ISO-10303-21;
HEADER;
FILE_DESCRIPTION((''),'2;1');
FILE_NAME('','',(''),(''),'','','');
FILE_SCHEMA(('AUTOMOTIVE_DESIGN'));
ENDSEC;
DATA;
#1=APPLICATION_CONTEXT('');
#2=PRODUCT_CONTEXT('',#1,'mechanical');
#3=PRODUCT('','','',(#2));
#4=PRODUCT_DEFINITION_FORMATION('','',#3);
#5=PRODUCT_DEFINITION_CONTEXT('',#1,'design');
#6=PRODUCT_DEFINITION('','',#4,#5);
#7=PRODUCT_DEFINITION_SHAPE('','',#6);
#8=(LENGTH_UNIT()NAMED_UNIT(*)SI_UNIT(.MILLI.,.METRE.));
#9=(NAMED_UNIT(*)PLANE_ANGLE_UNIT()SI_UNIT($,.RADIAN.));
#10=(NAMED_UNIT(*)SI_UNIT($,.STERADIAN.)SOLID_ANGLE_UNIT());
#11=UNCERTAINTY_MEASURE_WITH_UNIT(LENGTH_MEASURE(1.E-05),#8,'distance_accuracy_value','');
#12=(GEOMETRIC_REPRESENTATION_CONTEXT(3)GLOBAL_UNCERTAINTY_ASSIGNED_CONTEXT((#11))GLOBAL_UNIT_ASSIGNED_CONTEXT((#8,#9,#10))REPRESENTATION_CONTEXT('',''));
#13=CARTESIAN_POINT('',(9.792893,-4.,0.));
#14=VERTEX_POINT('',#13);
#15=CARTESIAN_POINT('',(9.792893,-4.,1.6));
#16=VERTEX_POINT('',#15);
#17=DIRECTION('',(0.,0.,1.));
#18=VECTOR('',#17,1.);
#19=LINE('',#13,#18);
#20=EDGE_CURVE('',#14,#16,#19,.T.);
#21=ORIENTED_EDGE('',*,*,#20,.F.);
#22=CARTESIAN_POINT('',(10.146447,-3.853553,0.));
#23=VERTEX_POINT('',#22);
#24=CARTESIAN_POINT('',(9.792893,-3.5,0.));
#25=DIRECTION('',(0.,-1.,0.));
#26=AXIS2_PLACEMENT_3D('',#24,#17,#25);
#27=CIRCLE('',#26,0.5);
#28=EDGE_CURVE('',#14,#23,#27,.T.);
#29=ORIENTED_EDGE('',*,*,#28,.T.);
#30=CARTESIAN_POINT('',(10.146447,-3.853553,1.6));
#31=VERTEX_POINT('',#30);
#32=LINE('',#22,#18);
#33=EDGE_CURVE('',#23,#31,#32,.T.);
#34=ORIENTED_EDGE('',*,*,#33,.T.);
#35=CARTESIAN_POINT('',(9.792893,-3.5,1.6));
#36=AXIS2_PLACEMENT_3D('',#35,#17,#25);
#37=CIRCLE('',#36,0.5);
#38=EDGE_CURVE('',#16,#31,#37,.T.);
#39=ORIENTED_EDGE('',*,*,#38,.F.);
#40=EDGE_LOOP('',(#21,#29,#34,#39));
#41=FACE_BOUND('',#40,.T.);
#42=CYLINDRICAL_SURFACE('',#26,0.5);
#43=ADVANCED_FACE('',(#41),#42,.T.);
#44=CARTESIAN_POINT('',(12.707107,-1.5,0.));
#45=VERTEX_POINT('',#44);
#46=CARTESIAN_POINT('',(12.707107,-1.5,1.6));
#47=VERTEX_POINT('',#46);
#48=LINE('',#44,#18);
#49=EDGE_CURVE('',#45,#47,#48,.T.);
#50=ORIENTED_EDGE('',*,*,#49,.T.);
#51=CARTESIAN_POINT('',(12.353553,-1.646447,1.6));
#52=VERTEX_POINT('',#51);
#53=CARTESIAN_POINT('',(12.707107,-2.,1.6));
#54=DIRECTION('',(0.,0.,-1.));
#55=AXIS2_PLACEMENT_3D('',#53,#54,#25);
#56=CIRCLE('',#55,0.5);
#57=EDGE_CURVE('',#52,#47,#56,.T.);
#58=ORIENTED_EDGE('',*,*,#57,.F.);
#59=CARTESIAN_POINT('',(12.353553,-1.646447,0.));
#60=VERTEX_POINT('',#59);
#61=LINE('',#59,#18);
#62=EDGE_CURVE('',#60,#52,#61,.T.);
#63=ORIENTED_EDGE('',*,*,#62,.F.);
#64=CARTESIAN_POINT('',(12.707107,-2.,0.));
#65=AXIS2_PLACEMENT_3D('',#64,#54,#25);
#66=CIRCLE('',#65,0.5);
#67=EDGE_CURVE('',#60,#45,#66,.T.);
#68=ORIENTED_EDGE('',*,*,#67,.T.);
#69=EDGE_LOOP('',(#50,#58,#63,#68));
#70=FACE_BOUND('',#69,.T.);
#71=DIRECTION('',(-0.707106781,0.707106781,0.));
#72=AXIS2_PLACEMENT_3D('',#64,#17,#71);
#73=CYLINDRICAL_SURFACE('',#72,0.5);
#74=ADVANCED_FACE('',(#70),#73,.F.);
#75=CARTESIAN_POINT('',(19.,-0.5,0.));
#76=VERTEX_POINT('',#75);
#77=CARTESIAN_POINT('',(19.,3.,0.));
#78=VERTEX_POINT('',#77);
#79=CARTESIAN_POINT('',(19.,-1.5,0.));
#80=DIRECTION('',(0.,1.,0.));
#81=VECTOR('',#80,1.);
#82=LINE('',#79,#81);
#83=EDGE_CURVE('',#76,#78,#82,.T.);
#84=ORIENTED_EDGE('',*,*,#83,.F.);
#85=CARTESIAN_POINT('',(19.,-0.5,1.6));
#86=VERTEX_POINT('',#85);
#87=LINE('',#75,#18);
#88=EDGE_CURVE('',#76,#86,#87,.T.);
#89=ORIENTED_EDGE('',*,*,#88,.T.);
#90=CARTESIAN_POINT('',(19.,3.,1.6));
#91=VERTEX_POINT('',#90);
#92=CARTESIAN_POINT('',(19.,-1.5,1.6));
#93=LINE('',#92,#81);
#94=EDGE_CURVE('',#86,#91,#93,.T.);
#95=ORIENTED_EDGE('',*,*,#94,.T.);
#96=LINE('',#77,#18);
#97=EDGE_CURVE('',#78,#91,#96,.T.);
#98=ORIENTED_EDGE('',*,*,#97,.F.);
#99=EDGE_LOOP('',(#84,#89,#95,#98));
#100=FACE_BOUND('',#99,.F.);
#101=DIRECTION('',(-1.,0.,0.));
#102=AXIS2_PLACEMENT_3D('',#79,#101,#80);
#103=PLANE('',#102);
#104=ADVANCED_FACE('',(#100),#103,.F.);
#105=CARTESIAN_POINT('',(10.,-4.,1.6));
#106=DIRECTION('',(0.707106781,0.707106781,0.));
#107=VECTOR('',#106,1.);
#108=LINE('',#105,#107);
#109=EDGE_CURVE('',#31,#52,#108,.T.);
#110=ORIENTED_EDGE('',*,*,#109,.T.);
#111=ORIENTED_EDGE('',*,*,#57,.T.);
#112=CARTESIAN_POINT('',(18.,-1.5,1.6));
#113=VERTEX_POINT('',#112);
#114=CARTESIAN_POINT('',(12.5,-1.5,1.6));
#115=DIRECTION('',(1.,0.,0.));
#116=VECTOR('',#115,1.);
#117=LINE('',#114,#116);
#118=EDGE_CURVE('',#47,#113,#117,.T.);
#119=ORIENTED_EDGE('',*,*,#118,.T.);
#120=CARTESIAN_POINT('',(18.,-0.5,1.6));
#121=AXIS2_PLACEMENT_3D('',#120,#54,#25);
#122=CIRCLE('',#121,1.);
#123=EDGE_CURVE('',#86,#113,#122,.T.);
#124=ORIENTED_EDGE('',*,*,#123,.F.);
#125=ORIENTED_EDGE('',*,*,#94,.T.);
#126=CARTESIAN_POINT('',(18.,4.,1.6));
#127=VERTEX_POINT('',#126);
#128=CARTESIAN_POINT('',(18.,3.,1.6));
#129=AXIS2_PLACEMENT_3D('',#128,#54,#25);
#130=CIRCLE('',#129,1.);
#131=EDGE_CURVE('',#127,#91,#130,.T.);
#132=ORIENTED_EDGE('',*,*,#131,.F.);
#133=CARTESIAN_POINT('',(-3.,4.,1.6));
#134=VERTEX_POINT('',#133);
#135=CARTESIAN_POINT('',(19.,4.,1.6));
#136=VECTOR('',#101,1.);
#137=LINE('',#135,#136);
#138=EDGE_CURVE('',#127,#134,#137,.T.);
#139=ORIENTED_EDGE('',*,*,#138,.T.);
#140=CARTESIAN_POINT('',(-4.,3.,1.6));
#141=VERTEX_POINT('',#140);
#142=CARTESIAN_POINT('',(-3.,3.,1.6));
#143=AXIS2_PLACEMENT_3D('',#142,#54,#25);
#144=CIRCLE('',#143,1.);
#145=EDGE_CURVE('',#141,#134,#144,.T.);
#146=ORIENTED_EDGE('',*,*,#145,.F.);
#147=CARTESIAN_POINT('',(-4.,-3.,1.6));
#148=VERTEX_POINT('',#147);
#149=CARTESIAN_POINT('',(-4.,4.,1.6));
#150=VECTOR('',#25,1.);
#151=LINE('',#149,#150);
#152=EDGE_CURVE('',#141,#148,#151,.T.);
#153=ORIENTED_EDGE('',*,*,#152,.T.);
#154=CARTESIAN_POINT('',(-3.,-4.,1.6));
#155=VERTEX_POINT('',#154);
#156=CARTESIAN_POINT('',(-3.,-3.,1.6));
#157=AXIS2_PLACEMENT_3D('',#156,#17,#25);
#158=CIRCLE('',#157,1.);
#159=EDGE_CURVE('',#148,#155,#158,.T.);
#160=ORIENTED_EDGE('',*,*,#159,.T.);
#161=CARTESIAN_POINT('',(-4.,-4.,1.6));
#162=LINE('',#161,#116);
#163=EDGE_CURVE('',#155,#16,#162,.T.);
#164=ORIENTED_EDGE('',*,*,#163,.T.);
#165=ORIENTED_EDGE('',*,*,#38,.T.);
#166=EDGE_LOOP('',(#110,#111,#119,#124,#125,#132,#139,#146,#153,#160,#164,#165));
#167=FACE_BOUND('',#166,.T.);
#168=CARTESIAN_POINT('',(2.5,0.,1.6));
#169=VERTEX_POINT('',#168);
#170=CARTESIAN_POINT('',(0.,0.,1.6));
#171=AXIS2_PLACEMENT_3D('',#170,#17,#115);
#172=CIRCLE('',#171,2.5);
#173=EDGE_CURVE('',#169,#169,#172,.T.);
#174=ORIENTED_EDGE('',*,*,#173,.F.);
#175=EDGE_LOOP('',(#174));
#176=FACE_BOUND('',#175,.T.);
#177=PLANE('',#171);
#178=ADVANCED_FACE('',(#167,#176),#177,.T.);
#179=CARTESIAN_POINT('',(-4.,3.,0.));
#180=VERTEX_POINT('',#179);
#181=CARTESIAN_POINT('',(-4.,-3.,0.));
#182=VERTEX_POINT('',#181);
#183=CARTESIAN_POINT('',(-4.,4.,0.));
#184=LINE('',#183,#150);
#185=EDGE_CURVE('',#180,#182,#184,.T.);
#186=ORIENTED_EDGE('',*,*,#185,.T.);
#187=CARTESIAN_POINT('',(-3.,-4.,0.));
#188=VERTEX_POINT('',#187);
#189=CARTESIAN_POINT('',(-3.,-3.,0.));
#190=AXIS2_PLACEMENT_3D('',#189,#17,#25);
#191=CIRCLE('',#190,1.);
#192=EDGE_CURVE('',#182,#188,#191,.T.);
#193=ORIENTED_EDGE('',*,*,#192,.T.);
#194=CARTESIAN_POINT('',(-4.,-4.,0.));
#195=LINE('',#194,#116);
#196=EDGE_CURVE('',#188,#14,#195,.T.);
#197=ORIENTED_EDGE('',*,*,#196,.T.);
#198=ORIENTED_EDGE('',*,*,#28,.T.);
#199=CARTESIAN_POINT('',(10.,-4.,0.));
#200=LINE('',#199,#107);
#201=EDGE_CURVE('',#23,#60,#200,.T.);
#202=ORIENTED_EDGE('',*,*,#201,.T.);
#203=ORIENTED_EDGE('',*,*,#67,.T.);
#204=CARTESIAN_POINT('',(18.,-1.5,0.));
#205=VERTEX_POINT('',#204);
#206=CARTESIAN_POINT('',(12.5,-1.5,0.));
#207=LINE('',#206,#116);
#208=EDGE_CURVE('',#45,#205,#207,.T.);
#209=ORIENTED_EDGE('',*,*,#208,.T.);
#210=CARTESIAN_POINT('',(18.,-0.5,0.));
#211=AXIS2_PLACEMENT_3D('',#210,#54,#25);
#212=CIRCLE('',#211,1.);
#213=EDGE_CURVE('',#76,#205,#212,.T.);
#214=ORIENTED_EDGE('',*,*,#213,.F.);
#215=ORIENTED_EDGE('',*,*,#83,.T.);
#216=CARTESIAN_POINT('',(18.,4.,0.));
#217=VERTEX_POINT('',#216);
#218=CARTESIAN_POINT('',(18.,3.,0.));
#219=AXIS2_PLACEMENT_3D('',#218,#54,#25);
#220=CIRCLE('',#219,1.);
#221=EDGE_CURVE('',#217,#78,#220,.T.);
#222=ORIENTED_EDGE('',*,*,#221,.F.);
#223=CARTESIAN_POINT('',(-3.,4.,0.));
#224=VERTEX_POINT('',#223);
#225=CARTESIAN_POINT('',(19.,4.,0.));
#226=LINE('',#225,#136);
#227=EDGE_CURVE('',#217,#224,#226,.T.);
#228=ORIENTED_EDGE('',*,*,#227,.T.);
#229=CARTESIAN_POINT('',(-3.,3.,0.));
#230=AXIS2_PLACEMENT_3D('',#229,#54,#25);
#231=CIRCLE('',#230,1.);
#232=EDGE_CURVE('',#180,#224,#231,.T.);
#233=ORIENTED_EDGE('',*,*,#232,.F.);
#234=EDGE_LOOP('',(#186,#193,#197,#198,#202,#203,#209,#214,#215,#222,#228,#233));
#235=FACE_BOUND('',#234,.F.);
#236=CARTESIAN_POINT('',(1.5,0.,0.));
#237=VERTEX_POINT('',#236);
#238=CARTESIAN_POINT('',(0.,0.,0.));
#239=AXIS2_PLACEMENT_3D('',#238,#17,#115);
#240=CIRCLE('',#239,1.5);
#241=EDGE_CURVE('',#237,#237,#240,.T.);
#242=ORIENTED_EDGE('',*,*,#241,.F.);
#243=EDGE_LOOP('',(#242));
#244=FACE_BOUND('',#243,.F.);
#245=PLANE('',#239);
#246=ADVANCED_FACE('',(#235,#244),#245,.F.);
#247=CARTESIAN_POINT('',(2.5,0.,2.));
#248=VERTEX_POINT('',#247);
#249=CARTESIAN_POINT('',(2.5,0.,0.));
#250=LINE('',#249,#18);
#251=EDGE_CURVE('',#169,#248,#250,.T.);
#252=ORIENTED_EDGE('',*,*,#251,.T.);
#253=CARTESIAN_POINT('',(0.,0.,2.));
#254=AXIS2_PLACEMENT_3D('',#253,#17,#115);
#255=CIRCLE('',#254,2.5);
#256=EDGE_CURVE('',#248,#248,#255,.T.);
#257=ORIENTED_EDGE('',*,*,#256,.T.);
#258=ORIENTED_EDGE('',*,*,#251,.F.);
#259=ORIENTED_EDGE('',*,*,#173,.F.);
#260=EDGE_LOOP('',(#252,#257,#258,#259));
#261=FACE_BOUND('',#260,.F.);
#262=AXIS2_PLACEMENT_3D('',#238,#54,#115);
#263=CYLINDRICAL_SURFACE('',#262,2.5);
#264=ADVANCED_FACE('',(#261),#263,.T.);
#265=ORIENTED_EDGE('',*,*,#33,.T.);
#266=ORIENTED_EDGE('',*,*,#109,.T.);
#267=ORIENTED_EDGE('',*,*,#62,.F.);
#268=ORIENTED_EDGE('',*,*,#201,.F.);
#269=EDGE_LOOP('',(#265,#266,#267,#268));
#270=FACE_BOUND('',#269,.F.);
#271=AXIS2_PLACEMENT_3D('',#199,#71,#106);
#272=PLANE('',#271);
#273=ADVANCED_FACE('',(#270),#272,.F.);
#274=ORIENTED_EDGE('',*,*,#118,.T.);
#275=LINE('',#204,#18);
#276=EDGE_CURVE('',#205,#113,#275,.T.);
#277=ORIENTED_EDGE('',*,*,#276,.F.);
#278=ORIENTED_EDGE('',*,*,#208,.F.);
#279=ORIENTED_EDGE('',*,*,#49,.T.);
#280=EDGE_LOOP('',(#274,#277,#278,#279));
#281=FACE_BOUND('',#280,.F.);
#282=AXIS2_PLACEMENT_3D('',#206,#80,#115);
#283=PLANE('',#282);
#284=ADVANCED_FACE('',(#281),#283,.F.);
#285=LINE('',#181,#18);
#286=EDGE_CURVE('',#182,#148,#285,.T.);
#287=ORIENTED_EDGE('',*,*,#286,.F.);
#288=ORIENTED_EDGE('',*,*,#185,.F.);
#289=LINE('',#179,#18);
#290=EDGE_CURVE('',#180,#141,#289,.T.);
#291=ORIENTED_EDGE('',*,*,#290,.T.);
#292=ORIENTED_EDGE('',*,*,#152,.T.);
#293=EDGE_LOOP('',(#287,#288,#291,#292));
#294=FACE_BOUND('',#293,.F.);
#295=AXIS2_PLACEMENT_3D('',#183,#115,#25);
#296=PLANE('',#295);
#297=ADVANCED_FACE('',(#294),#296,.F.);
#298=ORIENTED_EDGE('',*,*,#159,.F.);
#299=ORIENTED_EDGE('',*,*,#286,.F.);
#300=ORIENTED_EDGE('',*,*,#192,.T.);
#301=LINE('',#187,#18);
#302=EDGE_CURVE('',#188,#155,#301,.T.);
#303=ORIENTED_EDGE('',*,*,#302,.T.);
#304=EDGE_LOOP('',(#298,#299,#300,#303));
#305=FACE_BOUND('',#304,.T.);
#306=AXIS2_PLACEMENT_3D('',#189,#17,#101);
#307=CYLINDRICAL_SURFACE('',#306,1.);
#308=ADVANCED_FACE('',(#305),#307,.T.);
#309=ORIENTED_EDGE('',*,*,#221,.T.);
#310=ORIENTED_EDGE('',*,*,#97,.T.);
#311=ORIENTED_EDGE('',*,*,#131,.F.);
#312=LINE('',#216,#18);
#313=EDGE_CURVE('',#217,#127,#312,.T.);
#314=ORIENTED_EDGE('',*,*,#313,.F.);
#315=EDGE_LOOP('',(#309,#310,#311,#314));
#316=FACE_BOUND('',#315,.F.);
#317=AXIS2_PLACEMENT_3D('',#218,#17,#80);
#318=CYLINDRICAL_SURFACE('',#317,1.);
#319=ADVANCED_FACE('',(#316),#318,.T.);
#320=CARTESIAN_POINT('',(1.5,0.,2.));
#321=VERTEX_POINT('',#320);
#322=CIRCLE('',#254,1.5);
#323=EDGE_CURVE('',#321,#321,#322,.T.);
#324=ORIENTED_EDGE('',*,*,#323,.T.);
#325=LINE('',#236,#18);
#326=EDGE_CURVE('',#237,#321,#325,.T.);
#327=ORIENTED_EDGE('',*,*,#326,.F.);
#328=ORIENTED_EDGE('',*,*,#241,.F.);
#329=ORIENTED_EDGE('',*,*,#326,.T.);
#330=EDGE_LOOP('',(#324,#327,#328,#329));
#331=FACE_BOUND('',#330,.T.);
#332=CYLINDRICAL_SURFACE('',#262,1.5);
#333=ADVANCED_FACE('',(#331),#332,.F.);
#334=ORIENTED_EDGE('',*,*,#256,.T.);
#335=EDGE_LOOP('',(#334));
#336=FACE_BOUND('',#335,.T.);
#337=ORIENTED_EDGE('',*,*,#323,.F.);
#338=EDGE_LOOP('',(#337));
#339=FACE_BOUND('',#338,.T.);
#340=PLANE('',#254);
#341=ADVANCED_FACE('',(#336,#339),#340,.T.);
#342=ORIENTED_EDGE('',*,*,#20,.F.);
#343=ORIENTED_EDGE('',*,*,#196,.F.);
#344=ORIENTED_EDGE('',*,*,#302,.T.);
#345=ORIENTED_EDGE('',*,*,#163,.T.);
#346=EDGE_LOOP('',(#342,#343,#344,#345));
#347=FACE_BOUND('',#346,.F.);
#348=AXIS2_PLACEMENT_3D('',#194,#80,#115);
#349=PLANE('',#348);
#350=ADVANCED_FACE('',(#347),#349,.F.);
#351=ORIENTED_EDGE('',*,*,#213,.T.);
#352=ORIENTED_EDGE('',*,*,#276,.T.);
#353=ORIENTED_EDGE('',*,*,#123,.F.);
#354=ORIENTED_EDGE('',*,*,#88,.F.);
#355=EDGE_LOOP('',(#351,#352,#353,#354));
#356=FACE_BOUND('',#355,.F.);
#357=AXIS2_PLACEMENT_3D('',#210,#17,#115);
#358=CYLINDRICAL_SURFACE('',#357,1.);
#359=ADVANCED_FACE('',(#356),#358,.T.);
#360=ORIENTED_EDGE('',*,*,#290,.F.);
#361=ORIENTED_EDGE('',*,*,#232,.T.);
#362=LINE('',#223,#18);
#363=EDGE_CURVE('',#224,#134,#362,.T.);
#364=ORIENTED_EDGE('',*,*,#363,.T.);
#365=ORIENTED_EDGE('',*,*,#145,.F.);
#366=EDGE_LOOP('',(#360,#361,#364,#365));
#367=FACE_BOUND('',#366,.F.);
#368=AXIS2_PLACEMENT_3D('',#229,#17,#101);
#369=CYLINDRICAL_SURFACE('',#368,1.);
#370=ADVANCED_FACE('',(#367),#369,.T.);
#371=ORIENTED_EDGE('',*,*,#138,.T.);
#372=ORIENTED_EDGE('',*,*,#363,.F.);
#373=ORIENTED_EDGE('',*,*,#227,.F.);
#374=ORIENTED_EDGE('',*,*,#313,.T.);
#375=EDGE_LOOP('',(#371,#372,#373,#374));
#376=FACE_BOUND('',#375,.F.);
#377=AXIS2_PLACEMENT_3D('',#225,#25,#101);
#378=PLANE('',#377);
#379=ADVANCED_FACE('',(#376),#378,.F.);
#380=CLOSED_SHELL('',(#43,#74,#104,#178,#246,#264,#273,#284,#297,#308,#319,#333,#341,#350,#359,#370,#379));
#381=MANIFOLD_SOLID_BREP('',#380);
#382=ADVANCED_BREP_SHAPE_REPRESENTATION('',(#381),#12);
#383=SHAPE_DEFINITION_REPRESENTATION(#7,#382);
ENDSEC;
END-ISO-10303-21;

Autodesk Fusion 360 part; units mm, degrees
sketch "スケッチ1" plane through (0, 0, 0) normal (0, 0, 1) x (1, 0, 0)
  line L0 (-4, -4) -> (10, -4)
  line L1 (10, -4) -> (12.5, -1.5)
  line L2 (12.5, -1.5) -> (19, -1.5)
  line L3 (19, -1.5) -> (19, 4)
  line L4 (19, 4) -> (-4, 4)
  line L5 (-4, 4) -> (-4, -4)
  line L6 (-4, 0) -> (0, 0) construction
  circle A0 centre (0, 0) radius 1.5
  circle A1 centre (0, 0) radius 2.5
  dimension "d1" = 23
  dimension "d2" = 8
  dimension "d3" = 5.5
  dimension "d4" = 14
  dimension "d5" = 45
  dimension "d6" = 4
  dimension "d7" = 3
  dimension "d8" = 5
extrude "押し出し1" add sketch "スケッチ1" along normal blind 1.6 contours L0 L1 L2 L3 L4 L5
extrude "押し出し2" add sketch "スケッチ1" along normal blind 2 contours A1
fillet "フィレット1" radius 1 4 edges at (-4, 4, 0.8) (19, 4, 0.8) (19, -1.5, 0.8) (-4, -4, 0.8)
fillet "フィレット2" radius 0.5 2 edges at (12.5, -1.5, 0.8) (10, -4, 0.8)
